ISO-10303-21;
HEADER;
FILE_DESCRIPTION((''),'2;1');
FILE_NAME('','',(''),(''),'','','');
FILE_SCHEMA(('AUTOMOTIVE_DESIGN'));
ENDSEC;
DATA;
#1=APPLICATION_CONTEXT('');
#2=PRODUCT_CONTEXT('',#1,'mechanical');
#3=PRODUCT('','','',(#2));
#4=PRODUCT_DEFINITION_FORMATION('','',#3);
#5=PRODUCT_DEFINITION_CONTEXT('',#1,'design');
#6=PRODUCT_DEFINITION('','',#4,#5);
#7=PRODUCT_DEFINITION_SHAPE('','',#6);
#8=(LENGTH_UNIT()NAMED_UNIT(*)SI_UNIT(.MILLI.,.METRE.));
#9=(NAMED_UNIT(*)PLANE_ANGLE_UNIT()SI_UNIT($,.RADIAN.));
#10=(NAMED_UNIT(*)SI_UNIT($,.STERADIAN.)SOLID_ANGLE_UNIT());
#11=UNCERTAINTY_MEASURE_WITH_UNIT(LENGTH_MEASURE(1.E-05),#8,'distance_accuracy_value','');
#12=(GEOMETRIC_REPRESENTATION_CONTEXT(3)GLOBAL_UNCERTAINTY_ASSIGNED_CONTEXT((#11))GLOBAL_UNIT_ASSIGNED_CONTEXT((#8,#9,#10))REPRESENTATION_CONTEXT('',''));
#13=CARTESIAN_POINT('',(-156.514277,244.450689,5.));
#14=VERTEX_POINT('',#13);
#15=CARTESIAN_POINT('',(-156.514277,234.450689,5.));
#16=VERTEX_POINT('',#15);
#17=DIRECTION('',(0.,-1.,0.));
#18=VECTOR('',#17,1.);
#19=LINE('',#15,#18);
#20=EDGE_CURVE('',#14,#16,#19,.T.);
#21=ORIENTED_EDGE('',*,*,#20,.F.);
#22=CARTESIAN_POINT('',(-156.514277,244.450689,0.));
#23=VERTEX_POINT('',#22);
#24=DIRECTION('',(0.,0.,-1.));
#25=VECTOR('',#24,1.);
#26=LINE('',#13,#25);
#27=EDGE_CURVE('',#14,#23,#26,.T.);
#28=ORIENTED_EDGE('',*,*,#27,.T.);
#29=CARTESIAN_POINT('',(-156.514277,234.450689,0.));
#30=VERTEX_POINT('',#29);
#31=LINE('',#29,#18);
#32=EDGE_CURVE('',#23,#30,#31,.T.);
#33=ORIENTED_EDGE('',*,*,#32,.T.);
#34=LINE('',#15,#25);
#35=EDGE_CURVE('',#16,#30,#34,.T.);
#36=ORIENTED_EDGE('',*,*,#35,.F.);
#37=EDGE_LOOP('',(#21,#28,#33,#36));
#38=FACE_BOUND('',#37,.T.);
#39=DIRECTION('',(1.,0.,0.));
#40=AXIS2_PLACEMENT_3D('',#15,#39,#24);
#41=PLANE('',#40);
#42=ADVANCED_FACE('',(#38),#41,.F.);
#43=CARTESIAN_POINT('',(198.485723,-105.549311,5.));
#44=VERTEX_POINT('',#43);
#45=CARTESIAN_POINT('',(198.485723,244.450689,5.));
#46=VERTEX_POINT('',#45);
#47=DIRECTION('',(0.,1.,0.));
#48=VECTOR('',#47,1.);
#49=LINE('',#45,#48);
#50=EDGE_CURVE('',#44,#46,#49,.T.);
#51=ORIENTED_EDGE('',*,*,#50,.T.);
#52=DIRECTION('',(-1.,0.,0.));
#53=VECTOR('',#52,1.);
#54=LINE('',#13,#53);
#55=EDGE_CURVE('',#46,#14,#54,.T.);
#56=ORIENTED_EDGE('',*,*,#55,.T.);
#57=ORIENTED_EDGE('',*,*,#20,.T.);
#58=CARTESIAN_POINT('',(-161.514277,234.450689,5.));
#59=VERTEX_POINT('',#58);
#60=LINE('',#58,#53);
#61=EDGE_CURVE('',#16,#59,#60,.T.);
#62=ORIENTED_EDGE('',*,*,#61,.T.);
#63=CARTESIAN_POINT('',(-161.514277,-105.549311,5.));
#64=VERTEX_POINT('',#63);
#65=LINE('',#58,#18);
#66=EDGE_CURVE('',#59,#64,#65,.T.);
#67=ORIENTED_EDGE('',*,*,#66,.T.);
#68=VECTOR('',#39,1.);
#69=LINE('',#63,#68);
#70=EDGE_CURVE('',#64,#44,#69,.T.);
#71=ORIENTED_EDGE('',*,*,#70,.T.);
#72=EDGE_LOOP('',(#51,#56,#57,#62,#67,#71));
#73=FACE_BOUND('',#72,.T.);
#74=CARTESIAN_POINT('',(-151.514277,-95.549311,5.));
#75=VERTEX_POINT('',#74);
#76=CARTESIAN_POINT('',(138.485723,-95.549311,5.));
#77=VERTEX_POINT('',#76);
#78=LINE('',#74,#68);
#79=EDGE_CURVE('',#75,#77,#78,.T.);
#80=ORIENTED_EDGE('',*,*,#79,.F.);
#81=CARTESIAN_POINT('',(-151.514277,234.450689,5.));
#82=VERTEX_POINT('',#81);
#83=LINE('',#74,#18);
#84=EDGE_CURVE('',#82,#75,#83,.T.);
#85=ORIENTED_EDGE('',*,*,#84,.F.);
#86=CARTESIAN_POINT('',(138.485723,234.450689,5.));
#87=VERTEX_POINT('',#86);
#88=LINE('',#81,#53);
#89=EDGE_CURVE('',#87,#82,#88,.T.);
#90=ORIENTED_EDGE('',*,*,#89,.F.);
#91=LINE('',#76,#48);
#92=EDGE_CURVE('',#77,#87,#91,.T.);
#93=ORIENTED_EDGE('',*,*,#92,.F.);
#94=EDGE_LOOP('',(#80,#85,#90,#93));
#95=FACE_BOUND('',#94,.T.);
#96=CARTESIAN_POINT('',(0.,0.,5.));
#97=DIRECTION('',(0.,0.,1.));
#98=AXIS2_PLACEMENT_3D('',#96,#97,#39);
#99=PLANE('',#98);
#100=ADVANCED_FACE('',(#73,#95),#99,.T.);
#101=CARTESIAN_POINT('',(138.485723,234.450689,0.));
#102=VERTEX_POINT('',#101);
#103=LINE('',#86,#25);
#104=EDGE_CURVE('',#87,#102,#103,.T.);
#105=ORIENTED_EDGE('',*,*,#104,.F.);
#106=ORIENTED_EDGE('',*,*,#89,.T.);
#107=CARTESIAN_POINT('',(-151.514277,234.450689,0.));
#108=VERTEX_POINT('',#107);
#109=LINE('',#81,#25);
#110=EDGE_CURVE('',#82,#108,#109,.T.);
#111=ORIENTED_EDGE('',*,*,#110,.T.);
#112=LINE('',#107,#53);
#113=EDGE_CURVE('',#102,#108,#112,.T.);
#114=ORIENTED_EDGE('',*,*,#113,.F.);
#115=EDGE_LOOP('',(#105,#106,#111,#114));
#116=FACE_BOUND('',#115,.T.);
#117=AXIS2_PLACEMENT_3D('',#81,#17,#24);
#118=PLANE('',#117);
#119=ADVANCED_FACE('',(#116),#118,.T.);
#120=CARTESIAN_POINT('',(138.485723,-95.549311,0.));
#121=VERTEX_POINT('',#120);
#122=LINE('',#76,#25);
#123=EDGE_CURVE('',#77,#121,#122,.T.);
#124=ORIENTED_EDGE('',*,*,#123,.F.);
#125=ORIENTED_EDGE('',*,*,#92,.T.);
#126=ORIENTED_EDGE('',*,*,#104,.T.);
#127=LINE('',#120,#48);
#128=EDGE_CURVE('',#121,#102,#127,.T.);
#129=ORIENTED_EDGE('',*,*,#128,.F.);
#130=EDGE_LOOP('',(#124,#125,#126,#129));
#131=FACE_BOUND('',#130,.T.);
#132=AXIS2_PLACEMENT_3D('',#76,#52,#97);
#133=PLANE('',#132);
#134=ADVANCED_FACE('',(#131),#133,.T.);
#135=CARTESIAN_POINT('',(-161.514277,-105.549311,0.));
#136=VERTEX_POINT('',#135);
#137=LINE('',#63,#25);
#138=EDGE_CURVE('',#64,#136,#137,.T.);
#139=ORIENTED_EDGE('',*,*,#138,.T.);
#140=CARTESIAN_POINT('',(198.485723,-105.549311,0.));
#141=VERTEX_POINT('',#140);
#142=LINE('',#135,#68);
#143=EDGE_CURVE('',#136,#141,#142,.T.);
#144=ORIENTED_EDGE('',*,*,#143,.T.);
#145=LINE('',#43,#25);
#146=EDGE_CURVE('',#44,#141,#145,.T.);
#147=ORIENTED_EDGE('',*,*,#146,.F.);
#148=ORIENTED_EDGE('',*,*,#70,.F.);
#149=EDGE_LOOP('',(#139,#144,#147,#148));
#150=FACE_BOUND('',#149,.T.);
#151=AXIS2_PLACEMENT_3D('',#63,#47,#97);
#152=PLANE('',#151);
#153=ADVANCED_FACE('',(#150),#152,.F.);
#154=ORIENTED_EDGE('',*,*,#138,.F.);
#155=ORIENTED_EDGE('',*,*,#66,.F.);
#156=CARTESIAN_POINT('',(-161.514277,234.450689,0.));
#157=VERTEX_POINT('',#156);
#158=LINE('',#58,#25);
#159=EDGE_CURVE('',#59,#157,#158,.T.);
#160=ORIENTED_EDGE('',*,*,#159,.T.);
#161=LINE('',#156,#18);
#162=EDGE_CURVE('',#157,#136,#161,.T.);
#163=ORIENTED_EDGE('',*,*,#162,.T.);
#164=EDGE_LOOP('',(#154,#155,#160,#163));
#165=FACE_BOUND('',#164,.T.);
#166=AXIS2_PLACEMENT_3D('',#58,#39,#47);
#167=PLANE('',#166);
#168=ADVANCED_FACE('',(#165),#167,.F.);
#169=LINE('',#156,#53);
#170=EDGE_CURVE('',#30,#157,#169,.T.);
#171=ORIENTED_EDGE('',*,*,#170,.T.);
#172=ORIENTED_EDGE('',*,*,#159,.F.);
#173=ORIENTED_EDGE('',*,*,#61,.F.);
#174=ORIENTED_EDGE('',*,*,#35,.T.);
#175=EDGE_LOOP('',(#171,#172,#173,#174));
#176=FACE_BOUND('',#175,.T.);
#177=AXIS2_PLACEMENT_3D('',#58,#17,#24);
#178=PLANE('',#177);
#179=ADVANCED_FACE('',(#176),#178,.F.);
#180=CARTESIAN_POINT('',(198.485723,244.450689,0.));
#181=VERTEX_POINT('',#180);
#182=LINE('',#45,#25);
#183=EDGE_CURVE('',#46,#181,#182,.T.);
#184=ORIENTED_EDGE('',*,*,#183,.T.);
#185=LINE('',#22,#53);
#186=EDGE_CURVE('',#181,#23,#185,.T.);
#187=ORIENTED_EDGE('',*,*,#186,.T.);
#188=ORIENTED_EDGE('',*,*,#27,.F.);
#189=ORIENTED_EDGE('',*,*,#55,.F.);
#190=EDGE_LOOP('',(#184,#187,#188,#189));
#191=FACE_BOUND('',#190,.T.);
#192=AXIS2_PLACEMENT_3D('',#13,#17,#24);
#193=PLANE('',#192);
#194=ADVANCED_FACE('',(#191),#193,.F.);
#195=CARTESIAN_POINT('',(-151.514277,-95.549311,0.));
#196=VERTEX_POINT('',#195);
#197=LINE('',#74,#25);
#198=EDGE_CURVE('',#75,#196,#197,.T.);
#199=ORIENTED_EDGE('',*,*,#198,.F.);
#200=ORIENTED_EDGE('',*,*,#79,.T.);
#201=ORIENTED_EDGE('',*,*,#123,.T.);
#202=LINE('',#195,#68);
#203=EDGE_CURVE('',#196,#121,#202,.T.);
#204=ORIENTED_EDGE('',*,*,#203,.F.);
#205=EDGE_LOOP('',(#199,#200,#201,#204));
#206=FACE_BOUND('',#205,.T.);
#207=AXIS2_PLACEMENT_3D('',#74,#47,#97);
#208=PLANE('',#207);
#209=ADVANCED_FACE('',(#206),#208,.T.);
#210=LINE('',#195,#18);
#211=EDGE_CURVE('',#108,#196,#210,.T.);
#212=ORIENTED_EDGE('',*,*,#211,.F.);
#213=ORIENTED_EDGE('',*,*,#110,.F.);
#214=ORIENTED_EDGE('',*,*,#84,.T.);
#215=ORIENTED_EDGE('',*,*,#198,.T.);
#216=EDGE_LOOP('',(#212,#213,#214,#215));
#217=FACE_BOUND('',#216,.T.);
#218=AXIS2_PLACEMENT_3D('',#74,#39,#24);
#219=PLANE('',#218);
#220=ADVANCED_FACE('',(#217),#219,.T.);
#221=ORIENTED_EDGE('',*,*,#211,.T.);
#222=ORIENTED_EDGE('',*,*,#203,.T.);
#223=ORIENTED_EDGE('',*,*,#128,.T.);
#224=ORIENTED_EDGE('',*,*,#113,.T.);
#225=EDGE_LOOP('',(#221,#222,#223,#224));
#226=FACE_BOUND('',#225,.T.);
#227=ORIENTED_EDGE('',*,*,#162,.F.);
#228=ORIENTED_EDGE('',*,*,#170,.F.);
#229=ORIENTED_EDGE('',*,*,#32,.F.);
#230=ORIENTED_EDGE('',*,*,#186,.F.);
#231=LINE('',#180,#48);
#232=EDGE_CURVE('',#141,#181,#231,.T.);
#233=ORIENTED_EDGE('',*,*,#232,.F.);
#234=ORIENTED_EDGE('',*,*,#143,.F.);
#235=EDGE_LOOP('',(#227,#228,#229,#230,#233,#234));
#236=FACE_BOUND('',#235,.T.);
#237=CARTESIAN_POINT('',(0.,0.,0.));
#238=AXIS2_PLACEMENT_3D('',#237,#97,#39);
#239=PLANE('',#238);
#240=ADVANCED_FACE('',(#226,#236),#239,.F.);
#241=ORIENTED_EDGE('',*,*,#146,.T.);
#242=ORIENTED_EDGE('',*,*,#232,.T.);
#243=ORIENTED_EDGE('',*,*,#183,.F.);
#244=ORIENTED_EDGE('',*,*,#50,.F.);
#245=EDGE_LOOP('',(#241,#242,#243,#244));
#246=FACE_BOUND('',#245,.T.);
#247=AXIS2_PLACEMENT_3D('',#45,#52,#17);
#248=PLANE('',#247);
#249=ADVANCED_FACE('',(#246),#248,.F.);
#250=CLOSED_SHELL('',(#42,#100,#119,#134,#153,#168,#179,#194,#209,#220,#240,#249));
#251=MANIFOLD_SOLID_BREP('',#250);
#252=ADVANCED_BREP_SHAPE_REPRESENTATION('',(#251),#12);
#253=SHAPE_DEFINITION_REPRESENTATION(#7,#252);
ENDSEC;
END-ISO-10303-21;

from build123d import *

# Parameters (mm, degrees)
CROQUIS1_W              = 290
CROQUIS1_H              = 330
SALIENTE_EXTRUIR1_DEPTH = 5


with BuildPart() as part:
    # Croquis1 → Saliente-Extruir1 (new body)
    with BuildSketch(Plane.XY):
        Polygon((-156.514277167, 244.450688952), (198.485722833, 244.450688952), (198.485722833, -105.549311048), (-161.514277167, -105.549311048), (-161.514277167, 234.450688952), (-156.514277167, 234.450688952), align=None)
        with Locations((-6.514277167, 69.450688952)):
            Rectangle(CROQUIS1_W, CROQUIS1_H, mode=Mode.SUBTRACT)
    extrude(amount=SALIENTE_EXTRUIR1_DEPTH)


solid = part.part
